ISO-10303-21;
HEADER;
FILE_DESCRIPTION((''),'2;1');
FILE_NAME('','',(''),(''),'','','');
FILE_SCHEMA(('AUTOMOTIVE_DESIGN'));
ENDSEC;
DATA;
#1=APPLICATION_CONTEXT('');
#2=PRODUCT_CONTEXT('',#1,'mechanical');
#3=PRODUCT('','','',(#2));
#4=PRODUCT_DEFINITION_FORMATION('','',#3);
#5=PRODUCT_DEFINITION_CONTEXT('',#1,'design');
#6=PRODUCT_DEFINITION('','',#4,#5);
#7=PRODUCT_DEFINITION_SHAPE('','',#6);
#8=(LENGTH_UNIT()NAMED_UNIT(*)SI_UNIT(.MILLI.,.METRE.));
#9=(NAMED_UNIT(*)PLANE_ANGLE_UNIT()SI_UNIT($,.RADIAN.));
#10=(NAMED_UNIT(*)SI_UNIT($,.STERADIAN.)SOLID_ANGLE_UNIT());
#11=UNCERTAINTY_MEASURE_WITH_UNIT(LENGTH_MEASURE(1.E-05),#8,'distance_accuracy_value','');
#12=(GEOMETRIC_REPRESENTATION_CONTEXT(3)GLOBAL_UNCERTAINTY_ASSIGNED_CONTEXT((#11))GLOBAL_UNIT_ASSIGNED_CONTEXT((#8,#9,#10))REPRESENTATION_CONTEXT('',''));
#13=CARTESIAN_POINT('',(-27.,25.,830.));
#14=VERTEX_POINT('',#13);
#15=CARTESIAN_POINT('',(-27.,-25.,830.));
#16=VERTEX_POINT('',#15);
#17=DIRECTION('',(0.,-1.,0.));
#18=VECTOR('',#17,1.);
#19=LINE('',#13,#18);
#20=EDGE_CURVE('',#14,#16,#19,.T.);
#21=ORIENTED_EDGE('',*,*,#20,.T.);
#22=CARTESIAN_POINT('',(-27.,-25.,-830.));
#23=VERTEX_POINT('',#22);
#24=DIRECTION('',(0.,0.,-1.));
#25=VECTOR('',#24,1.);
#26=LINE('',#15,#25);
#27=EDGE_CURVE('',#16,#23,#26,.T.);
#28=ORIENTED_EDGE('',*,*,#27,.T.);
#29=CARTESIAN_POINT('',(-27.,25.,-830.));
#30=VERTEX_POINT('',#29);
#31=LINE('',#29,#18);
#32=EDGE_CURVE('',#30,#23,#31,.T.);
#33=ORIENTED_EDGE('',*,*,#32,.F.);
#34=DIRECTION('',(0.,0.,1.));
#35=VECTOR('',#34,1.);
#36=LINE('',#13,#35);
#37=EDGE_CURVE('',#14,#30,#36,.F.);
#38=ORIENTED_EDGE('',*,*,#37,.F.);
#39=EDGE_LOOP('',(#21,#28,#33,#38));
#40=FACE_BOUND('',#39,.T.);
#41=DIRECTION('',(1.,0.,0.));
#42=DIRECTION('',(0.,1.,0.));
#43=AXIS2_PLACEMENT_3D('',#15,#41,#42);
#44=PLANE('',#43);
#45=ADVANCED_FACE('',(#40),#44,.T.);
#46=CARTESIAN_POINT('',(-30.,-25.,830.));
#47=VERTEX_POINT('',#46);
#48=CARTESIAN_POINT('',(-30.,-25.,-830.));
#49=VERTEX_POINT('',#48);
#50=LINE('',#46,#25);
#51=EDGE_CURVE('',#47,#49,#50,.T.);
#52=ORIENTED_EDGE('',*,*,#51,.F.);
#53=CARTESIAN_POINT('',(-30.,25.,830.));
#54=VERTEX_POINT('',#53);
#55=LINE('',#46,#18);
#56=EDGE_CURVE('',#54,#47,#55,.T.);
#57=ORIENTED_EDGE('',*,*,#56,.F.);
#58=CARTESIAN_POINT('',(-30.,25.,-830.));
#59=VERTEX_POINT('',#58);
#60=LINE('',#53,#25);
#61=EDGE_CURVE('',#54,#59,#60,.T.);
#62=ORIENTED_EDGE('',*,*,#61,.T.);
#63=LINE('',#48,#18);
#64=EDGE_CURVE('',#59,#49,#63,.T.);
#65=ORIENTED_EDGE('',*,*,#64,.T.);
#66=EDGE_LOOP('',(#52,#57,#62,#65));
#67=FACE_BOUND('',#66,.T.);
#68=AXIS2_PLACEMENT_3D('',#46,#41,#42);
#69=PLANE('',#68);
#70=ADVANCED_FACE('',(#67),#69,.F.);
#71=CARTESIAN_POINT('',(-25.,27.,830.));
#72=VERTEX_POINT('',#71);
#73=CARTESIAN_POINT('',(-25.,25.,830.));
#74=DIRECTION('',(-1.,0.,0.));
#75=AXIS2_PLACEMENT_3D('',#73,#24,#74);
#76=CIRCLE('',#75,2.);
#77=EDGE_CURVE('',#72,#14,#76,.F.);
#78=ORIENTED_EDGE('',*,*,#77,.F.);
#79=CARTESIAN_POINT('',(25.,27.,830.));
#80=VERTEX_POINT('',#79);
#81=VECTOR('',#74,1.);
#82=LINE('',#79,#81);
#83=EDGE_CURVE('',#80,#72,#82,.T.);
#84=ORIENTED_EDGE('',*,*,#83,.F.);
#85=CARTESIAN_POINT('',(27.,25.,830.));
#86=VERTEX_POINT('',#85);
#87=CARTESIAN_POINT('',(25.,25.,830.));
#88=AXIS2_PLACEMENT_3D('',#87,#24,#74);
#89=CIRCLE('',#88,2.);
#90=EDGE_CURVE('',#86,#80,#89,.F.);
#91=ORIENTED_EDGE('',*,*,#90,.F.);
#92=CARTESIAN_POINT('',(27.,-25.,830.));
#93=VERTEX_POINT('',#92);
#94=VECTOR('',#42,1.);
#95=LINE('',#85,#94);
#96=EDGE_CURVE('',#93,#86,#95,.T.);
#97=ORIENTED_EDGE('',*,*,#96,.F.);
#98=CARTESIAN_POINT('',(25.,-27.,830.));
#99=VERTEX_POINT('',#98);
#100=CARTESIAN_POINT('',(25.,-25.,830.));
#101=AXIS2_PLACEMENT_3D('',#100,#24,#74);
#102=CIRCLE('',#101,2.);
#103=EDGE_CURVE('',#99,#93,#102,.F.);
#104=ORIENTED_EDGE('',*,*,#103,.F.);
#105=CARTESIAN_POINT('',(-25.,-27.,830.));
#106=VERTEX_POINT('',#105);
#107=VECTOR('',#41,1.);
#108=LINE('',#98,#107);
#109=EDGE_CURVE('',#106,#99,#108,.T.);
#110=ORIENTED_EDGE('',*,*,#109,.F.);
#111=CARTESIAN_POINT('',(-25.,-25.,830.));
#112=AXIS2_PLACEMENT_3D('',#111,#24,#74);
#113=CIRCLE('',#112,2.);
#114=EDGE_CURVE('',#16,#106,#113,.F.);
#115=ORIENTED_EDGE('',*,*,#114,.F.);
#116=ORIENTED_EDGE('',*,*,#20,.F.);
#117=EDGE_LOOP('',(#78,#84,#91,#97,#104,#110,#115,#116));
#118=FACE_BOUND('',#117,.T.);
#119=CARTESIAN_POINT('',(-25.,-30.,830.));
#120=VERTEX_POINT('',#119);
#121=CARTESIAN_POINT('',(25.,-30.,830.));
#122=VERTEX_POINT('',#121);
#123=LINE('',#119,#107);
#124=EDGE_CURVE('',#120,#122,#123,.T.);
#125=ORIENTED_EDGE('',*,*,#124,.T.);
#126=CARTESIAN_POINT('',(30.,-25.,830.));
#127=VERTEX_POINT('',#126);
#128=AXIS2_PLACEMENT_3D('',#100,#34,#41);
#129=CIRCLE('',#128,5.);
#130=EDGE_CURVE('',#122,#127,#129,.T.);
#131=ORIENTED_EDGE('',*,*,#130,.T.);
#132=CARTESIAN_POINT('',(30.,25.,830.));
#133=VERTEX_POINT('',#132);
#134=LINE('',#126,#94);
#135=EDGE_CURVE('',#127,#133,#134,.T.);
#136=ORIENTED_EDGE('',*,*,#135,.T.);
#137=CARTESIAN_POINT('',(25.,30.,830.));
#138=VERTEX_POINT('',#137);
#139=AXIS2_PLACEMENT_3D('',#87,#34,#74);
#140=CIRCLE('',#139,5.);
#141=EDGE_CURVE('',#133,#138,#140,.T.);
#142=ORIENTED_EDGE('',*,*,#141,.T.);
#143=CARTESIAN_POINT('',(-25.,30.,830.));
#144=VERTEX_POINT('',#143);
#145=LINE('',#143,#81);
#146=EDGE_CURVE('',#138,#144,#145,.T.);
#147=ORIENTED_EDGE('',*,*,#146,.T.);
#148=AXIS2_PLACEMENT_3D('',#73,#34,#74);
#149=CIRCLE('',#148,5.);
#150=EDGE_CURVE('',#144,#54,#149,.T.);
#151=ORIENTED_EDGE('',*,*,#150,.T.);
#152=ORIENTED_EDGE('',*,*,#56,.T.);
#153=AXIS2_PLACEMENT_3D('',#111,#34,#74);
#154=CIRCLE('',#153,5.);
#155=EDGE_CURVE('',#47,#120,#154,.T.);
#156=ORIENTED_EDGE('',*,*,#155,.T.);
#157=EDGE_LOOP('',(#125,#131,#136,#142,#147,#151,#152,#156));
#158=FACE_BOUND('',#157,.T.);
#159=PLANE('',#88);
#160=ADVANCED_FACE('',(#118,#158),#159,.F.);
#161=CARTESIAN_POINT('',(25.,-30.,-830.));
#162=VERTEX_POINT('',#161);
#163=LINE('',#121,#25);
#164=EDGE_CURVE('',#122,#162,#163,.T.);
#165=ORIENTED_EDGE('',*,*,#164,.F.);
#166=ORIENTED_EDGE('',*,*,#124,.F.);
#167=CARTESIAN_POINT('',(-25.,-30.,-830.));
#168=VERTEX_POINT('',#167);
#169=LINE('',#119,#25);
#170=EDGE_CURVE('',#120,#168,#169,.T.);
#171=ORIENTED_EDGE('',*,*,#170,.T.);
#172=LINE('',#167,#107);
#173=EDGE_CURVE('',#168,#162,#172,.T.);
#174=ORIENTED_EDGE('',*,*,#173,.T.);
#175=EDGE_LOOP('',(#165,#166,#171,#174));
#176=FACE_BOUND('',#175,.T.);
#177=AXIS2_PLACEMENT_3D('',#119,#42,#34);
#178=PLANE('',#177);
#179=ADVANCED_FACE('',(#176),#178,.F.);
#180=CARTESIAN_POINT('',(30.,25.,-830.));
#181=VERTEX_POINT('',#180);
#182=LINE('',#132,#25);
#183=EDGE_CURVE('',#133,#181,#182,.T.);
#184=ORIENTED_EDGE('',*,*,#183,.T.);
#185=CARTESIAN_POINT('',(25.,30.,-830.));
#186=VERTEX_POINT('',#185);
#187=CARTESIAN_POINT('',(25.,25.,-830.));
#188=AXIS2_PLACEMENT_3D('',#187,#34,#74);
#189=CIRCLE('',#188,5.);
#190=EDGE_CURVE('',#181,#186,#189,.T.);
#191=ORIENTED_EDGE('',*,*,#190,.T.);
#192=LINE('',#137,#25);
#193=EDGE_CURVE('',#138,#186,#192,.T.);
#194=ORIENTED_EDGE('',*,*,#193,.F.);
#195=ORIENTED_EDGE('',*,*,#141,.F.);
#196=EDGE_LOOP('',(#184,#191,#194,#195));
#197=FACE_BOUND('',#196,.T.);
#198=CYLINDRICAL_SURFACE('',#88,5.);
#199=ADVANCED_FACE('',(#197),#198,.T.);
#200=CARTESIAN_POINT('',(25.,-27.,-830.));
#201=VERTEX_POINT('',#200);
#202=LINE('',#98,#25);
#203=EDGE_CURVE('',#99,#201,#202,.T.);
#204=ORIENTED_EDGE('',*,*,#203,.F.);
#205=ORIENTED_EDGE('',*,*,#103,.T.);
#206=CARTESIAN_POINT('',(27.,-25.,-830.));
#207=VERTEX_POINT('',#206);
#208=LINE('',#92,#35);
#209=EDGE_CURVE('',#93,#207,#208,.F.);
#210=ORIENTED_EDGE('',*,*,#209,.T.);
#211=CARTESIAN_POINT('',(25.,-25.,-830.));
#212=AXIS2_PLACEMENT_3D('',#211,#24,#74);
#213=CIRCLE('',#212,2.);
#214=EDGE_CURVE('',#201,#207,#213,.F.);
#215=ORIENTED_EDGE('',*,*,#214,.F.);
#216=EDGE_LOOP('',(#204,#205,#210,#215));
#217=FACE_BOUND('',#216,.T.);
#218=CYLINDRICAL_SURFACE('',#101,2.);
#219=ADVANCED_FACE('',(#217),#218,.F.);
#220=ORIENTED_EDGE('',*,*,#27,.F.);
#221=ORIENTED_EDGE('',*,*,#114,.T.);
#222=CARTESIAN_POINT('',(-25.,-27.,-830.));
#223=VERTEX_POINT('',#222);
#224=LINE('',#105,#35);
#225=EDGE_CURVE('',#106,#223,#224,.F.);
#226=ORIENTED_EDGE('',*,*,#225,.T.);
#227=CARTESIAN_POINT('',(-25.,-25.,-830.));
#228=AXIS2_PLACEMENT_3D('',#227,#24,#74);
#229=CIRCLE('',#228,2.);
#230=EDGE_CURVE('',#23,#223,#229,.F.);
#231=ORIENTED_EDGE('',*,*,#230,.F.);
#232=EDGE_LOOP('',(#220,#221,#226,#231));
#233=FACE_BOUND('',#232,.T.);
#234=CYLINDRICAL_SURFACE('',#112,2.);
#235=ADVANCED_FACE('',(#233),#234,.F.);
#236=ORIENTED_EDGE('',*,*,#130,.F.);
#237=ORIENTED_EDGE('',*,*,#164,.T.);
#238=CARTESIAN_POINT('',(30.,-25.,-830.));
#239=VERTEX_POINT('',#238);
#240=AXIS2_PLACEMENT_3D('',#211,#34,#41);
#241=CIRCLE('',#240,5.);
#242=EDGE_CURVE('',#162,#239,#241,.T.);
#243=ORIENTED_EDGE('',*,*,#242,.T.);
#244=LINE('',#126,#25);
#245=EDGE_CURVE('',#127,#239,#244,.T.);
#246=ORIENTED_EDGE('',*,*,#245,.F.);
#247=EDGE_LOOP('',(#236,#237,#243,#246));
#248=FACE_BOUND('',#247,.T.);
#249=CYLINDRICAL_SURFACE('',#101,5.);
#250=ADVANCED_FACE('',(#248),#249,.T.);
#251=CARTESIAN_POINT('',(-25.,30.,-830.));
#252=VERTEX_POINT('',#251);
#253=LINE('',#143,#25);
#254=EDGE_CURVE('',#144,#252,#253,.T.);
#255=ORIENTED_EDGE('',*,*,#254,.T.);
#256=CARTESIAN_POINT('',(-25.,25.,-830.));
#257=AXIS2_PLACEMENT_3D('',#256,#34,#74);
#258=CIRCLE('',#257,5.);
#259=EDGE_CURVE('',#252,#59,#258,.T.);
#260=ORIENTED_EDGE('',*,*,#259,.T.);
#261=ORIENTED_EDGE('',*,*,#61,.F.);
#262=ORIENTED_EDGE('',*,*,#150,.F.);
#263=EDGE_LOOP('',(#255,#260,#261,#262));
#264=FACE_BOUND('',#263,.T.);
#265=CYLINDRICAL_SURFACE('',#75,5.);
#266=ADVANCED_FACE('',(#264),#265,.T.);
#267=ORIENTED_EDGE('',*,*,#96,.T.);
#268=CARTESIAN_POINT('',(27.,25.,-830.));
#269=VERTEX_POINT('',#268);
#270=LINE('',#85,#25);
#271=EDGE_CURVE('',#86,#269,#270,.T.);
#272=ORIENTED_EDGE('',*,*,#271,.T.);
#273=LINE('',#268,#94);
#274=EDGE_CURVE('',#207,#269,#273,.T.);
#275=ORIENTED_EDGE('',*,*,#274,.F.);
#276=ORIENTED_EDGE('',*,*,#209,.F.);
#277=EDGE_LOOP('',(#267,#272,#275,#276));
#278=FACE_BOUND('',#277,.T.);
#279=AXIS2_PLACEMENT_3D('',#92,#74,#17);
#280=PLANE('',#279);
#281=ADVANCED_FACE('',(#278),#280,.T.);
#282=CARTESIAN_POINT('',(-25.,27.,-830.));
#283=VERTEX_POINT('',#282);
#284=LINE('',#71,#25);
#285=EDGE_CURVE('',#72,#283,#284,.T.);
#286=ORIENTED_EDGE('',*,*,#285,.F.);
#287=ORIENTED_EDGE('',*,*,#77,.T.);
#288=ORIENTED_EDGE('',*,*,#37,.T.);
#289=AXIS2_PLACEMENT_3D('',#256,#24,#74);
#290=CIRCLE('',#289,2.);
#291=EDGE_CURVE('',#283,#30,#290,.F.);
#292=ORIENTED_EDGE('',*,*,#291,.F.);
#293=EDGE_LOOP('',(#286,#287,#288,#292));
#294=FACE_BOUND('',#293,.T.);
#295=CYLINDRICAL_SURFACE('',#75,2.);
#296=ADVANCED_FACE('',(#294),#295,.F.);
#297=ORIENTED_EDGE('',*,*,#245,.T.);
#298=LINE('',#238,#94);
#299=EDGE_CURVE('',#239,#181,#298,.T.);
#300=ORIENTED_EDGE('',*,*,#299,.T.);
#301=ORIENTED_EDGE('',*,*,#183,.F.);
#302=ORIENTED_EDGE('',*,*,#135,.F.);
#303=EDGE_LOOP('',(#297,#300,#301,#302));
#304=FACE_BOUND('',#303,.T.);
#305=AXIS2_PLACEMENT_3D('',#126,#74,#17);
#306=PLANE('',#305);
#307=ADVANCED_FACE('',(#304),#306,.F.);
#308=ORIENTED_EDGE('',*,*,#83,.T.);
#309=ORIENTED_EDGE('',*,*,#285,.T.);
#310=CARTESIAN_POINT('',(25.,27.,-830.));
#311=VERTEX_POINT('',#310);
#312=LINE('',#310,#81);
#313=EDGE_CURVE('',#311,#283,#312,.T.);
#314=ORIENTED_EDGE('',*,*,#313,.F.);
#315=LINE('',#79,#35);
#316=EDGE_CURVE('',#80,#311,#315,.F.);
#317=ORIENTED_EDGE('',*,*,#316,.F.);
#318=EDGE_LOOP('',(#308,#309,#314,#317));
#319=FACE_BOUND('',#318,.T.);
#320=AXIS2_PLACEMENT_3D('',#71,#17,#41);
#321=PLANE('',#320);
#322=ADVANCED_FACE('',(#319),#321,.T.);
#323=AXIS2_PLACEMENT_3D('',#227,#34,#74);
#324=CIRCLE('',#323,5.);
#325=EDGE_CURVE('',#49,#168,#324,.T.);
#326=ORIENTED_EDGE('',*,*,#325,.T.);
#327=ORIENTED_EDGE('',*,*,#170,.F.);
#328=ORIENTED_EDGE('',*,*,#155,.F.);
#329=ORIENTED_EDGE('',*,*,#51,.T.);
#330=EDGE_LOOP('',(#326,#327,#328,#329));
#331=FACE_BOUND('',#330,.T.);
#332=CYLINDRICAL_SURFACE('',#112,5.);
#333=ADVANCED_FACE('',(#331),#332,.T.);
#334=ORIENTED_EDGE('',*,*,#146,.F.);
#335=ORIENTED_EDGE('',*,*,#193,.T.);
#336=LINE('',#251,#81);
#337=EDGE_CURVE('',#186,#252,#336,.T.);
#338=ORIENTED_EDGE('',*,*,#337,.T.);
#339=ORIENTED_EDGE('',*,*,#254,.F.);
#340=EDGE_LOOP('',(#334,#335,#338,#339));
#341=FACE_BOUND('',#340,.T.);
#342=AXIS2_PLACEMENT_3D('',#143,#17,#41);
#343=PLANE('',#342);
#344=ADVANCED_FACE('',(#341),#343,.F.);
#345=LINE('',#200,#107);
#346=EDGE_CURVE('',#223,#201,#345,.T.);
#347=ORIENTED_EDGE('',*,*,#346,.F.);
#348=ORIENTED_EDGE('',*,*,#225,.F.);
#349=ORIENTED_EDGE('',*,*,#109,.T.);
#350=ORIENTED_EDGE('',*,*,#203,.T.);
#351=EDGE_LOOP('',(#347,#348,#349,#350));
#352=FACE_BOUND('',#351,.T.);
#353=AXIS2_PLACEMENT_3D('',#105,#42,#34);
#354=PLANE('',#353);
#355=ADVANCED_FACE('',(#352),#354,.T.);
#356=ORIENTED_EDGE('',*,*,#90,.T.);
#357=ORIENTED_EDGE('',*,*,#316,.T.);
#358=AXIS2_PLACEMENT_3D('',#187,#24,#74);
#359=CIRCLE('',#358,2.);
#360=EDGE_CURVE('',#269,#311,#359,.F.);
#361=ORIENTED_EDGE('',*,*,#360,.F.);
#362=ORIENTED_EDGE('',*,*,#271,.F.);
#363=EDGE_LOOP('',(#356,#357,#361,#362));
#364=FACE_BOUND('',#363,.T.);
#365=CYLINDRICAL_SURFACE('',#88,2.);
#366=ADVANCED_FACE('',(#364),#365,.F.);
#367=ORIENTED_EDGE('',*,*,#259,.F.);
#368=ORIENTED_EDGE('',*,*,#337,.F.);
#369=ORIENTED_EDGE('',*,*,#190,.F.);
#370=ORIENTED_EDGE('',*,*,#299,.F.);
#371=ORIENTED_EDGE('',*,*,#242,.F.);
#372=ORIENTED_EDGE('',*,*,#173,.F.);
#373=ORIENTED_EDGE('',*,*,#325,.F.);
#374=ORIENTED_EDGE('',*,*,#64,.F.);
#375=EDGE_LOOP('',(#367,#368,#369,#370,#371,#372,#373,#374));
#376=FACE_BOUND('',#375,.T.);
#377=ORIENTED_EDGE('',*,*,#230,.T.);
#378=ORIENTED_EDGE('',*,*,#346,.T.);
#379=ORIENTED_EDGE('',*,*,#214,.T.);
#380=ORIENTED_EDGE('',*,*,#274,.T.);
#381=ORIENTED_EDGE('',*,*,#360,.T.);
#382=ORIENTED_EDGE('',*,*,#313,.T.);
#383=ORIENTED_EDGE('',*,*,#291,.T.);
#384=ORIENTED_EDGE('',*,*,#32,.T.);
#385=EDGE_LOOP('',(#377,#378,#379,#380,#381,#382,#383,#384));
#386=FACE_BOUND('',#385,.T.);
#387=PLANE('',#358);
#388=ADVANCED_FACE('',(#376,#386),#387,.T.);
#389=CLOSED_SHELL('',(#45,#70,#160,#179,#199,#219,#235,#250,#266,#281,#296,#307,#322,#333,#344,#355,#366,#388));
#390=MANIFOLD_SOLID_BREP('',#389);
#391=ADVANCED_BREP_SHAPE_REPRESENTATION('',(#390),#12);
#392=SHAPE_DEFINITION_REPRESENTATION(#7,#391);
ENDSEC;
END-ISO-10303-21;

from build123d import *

# Parameters (mm, degrees)
EXTRUDE_1_DEPTH = 830
SHELL_1_T       = -3


with BuildPart() as part:
    # Эскиз1 → Бобышка-Вытянуть1 (new, symmetric)
    with BuildSketch(Plane.XY):
        with BuildLine():
            Line((-25, -30), (25, -30))
            ThreePointArc((25, -30), (28.535533906, -28.535533906), (30, -25))
            Line((30, -25), (30, 25))
            ThreePointArc((30, 25), (28.535533906, 28.535533906), (25, 30))
            Line((25, 30), (-25, 30))
            ThreePointArc((-25, 30), (-28.535533906, 28.535533906), (-30, 25))
            Line((-30, 25), (-30, -25))
            ThreePointArc((-30, -25), (-28.535533906, -28.535533906), (-25, -30))
        make_face()
    extrude(amount=EXTRUDE_1_DEPTH, both=True)

    # Оболочка1
    shell_1_openings = [part.faces().sort_by_distance(p)[0] for p in [
        (0, 0, 830),
        (0, 0, -830),
    ]]
    offset(amount=SHELL_1_T, openings=shell_1_openings, kind=Kind.INTERSECTION)


solid = part.part
